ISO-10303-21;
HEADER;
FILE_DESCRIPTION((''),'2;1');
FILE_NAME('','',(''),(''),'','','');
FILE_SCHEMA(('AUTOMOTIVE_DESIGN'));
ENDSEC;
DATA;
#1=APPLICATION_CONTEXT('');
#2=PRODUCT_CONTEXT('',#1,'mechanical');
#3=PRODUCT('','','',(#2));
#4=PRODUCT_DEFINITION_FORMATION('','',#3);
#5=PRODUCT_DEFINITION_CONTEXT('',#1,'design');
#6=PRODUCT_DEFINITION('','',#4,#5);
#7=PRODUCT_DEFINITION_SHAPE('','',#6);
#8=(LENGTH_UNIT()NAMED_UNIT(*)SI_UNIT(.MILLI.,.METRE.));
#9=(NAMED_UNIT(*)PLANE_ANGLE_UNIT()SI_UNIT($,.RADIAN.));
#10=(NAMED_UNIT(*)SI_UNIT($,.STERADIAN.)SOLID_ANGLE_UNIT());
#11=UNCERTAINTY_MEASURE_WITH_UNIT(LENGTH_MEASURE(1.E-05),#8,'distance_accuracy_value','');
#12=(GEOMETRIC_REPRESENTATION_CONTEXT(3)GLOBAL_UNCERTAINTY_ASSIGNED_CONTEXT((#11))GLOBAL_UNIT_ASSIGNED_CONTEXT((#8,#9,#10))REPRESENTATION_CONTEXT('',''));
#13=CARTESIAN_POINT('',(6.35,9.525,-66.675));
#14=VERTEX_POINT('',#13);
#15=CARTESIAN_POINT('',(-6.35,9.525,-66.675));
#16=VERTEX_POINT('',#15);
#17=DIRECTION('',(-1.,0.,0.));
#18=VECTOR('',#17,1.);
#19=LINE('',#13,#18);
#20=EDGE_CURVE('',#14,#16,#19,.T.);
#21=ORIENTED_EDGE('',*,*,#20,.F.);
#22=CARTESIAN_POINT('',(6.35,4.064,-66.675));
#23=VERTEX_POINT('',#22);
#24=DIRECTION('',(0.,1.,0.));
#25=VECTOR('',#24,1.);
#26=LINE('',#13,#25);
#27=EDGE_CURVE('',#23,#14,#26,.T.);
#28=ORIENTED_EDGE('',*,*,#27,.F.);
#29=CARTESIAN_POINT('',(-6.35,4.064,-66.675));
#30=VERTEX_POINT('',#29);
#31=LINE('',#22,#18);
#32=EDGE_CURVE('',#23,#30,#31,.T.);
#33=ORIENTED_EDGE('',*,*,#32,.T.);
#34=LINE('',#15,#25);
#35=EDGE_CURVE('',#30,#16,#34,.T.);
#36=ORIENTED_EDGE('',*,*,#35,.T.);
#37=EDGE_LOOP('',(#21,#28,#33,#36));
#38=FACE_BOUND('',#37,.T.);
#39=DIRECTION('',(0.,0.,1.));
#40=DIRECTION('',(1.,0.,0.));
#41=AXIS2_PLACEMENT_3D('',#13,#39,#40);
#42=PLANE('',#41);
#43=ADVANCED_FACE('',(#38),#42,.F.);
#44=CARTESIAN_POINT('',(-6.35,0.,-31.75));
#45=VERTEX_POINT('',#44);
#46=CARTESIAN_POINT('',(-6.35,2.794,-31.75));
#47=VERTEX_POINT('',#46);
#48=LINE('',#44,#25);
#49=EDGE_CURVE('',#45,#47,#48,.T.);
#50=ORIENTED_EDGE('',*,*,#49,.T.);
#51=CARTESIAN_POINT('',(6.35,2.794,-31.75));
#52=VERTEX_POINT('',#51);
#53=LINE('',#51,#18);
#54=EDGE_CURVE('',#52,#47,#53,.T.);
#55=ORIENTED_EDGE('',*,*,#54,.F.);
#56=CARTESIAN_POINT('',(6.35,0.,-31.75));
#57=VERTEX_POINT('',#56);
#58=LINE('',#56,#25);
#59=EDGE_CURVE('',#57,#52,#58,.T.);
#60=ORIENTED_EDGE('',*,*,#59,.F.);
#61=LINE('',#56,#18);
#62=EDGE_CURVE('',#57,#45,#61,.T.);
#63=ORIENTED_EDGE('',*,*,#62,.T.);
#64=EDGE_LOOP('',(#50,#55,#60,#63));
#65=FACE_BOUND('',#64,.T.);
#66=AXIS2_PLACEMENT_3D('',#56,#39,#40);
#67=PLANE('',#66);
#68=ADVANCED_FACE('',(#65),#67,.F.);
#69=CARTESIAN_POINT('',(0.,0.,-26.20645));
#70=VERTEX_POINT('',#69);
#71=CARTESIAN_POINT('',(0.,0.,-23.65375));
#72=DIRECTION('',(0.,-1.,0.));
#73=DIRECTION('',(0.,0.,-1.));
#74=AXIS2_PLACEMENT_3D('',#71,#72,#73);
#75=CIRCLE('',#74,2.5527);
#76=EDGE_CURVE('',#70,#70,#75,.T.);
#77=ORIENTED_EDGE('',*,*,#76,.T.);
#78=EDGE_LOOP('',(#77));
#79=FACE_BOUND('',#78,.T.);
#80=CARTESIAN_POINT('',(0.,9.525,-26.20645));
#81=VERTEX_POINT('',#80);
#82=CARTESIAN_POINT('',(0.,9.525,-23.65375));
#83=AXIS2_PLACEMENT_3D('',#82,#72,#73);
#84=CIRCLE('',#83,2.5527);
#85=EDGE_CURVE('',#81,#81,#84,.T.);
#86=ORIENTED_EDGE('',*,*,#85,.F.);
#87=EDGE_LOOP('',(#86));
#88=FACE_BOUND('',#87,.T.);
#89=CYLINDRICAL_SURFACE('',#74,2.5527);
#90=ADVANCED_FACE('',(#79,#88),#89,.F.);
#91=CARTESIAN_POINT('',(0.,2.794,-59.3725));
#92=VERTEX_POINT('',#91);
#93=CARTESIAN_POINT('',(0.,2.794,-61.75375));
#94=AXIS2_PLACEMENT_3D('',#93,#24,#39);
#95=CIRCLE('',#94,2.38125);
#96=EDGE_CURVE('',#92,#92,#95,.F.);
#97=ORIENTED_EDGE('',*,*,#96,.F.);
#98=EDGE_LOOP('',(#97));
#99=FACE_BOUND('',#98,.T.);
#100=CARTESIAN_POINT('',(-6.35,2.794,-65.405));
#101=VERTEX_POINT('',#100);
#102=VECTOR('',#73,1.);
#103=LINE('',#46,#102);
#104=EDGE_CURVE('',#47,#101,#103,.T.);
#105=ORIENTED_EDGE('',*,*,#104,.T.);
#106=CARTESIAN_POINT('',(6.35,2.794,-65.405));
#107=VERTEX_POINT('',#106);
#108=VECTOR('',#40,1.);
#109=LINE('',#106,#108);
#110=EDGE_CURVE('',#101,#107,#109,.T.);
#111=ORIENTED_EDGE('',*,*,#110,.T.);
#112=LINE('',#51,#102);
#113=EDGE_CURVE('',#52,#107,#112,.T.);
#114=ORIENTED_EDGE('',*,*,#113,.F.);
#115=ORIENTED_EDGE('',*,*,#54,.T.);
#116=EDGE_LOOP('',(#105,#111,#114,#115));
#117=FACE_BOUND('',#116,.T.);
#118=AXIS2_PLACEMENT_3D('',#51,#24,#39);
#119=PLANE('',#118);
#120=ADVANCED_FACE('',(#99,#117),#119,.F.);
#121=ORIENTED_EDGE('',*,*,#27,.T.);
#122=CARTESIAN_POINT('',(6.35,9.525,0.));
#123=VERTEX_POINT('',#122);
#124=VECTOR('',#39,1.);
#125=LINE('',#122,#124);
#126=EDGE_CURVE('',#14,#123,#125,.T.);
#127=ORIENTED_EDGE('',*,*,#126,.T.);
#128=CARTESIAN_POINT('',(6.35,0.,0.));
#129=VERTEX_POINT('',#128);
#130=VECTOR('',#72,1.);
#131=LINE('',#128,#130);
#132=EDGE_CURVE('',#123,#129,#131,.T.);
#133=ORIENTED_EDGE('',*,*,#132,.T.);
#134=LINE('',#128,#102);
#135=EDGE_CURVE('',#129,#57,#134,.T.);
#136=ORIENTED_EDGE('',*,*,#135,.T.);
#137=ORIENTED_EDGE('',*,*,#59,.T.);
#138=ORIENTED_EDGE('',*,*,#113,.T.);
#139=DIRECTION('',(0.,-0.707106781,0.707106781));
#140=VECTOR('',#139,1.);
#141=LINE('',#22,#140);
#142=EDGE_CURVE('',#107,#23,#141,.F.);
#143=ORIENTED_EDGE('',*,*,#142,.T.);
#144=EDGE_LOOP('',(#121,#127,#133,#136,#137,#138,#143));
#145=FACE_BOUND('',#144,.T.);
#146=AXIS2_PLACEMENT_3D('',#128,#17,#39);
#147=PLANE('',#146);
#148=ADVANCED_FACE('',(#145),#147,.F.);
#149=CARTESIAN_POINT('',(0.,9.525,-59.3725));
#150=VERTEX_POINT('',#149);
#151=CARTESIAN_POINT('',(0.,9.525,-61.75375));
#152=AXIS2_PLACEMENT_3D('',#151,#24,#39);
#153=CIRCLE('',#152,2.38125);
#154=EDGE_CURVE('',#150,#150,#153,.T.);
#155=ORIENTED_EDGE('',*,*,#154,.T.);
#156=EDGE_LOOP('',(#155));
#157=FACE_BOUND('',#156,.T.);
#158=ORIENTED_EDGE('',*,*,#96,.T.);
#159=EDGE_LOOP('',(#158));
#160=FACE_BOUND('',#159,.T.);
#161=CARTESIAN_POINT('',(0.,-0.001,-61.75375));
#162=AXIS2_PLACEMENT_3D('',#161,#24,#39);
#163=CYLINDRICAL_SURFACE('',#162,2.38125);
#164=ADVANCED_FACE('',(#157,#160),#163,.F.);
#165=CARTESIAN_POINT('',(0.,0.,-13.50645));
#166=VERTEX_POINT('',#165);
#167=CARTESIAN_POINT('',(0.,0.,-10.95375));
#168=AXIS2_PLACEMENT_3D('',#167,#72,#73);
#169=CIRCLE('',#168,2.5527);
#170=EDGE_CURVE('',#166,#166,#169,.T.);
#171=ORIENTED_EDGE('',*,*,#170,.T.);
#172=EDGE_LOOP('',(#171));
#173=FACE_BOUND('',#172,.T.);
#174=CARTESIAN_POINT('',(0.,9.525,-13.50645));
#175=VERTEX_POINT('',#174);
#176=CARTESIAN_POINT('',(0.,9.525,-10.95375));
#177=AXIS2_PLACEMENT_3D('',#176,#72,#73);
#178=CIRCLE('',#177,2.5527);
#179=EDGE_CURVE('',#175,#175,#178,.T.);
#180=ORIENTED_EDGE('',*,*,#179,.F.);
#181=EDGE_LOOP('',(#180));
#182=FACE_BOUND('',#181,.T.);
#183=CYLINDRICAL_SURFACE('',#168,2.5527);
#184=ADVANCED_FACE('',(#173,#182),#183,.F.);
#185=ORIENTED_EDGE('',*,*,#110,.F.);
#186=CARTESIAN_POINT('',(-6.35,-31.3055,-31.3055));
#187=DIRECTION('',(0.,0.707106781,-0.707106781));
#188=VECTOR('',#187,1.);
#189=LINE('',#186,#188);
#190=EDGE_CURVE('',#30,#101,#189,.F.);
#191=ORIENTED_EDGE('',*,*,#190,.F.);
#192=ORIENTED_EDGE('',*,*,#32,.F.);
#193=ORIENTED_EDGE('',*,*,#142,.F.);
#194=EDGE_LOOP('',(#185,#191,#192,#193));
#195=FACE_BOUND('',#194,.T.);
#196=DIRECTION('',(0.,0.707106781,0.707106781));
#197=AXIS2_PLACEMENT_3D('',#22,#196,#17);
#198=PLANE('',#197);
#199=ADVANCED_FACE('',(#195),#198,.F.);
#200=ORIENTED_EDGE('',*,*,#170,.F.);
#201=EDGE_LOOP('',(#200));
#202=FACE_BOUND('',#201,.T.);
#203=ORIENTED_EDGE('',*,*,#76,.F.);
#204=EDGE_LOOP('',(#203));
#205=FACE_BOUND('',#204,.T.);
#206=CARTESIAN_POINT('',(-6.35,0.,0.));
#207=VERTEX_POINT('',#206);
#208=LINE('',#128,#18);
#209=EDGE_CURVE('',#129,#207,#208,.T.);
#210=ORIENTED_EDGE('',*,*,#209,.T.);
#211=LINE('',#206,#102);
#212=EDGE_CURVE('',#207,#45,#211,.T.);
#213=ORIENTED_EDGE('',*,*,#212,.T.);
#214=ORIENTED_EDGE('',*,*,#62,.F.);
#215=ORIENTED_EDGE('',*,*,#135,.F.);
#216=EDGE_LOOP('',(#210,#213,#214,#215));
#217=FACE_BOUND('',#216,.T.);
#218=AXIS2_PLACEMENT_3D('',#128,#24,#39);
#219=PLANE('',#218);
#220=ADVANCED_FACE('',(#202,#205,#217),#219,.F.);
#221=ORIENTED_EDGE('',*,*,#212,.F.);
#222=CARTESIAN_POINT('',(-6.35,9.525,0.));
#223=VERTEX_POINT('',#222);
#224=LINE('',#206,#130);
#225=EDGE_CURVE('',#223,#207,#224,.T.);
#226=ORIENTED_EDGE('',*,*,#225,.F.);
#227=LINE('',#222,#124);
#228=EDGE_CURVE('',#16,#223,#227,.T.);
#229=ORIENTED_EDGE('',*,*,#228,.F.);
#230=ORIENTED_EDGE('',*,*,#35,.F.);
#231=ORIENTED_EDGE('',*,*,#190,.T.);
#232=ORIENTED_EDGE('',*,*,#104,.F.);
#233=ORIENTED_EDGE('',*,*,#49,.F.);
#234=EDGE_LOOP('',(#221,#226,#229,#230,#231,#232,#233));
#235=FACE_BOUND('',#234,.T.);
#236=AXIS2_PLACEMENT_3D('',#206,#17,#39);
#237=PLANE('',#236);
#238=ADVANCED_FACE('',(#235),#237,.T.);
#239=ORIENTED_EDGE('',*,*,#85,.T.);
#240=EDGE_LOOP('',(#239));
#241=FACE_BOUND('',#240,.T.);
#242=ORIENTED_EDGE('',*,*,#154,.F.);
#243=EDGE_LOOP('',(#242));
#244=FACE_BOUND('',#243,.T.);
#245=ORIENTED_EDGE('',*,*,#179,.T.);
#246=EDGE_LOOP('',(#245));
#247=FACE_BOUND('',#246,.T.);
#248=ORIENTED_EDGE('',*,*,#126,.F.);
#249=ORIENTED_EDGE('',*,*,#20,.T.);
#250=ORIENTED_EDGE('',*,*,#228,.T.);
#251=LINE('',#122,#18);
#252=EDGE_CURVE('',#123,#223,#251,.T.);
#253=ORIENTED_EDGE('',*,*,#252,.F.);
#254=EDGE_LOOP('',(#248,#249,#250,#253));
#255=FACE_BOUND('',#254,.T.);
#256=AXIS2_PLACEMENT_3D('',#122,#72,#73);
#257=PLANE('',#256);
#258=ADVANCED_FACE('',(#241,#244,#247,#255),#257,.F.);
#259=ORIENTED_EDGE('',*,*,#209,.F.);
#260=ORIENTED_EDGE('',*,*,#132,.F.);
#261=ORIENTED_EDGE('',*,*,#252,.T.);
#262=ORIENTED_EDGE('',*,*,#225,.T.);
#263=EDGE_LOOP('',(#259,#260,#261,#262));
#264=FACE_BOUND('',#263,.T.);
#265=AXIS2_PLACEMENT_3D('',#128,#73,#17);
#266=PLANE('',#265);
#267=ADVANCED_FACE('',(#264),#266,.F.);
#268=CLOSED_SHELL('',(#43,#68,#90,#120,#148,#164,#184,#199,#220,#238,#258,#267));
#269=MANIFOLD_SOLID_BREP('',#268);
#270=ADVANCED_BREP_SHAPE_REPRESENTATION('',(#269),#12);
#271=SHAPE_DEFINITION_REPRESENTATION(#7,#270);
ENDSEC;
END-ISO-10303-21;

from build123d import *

# Parameters (mm, degrees)
BOSS_EXTRUDE1_DEPTH    = 6.35
F_10_CLEARANCE_HOLE1_D = 5.1054
CUT_EXTRUDE1_REACH     = 69.651
SKETCH4_R              = 2.38125
CHAMFER1_SIZE          = 1.27


with BuildPart() as part:
    # Sketch1 → Boss-Extrude1 (new, symmetric)
    with BuildSketch(Plane(origin=(0, 0, 0), x_dir=(0, 0, -1), z_dir=(1, 0, 0))):
        Polygon((0, 0), (31.75, 0), (31.75, 2.794), (66.675, 2.794), (66.675, 9.525), (0, 9.525), align=None)
    extrude(amount=BOSS_EXTRUDE1_DEPTH, both=True)

    # #10 Clearance Hole1 (through all)
    with Locations(Plane(origin=(0, 0, 0), x_dir=(-1, 0, 0), z_dir=(0, -1, 0))):
        with Locations((0, 23.65375), (0, 10.95375)):
            Hole(F_10_CLEARANCE_HOLE1_D / 2)

    # Sketch4 → Cut-Extrude1 (cut, up to next)
    with BuildSketch(Plane(origin=(0, 9.525, 0), x_dir=(1, 0, 0), z_dir=(0, 1, 0)), mode=Mode.PRIVATE) as cut_extrude1_sk1:
        with Locations(Location((0, 61.75375, 0), (0, 0, 270))):
            Circle(SKETCH4_R)
    cut_extrude1_tool1 = extrude(cut_extrude1_sk1.sketch, amount=-CUT_EXTRUDE1_REACH, mode=Mode.PRIVATE) & part.part
    add(cut_extrude1_tool1.solids().sort_by_distance((0, 9.525, -61.75375))[0], mode=Mode.SUBTRACT)

    # Chamfer1
    chamfer1_edges = [part.edges().sort_by_distance(p)[0] for p in [
        (0, 2.794, -66.675),
    ]]
    chamfer(chamfer1_edges, length=CHAMFER1_SIZE)


solid = part.part
